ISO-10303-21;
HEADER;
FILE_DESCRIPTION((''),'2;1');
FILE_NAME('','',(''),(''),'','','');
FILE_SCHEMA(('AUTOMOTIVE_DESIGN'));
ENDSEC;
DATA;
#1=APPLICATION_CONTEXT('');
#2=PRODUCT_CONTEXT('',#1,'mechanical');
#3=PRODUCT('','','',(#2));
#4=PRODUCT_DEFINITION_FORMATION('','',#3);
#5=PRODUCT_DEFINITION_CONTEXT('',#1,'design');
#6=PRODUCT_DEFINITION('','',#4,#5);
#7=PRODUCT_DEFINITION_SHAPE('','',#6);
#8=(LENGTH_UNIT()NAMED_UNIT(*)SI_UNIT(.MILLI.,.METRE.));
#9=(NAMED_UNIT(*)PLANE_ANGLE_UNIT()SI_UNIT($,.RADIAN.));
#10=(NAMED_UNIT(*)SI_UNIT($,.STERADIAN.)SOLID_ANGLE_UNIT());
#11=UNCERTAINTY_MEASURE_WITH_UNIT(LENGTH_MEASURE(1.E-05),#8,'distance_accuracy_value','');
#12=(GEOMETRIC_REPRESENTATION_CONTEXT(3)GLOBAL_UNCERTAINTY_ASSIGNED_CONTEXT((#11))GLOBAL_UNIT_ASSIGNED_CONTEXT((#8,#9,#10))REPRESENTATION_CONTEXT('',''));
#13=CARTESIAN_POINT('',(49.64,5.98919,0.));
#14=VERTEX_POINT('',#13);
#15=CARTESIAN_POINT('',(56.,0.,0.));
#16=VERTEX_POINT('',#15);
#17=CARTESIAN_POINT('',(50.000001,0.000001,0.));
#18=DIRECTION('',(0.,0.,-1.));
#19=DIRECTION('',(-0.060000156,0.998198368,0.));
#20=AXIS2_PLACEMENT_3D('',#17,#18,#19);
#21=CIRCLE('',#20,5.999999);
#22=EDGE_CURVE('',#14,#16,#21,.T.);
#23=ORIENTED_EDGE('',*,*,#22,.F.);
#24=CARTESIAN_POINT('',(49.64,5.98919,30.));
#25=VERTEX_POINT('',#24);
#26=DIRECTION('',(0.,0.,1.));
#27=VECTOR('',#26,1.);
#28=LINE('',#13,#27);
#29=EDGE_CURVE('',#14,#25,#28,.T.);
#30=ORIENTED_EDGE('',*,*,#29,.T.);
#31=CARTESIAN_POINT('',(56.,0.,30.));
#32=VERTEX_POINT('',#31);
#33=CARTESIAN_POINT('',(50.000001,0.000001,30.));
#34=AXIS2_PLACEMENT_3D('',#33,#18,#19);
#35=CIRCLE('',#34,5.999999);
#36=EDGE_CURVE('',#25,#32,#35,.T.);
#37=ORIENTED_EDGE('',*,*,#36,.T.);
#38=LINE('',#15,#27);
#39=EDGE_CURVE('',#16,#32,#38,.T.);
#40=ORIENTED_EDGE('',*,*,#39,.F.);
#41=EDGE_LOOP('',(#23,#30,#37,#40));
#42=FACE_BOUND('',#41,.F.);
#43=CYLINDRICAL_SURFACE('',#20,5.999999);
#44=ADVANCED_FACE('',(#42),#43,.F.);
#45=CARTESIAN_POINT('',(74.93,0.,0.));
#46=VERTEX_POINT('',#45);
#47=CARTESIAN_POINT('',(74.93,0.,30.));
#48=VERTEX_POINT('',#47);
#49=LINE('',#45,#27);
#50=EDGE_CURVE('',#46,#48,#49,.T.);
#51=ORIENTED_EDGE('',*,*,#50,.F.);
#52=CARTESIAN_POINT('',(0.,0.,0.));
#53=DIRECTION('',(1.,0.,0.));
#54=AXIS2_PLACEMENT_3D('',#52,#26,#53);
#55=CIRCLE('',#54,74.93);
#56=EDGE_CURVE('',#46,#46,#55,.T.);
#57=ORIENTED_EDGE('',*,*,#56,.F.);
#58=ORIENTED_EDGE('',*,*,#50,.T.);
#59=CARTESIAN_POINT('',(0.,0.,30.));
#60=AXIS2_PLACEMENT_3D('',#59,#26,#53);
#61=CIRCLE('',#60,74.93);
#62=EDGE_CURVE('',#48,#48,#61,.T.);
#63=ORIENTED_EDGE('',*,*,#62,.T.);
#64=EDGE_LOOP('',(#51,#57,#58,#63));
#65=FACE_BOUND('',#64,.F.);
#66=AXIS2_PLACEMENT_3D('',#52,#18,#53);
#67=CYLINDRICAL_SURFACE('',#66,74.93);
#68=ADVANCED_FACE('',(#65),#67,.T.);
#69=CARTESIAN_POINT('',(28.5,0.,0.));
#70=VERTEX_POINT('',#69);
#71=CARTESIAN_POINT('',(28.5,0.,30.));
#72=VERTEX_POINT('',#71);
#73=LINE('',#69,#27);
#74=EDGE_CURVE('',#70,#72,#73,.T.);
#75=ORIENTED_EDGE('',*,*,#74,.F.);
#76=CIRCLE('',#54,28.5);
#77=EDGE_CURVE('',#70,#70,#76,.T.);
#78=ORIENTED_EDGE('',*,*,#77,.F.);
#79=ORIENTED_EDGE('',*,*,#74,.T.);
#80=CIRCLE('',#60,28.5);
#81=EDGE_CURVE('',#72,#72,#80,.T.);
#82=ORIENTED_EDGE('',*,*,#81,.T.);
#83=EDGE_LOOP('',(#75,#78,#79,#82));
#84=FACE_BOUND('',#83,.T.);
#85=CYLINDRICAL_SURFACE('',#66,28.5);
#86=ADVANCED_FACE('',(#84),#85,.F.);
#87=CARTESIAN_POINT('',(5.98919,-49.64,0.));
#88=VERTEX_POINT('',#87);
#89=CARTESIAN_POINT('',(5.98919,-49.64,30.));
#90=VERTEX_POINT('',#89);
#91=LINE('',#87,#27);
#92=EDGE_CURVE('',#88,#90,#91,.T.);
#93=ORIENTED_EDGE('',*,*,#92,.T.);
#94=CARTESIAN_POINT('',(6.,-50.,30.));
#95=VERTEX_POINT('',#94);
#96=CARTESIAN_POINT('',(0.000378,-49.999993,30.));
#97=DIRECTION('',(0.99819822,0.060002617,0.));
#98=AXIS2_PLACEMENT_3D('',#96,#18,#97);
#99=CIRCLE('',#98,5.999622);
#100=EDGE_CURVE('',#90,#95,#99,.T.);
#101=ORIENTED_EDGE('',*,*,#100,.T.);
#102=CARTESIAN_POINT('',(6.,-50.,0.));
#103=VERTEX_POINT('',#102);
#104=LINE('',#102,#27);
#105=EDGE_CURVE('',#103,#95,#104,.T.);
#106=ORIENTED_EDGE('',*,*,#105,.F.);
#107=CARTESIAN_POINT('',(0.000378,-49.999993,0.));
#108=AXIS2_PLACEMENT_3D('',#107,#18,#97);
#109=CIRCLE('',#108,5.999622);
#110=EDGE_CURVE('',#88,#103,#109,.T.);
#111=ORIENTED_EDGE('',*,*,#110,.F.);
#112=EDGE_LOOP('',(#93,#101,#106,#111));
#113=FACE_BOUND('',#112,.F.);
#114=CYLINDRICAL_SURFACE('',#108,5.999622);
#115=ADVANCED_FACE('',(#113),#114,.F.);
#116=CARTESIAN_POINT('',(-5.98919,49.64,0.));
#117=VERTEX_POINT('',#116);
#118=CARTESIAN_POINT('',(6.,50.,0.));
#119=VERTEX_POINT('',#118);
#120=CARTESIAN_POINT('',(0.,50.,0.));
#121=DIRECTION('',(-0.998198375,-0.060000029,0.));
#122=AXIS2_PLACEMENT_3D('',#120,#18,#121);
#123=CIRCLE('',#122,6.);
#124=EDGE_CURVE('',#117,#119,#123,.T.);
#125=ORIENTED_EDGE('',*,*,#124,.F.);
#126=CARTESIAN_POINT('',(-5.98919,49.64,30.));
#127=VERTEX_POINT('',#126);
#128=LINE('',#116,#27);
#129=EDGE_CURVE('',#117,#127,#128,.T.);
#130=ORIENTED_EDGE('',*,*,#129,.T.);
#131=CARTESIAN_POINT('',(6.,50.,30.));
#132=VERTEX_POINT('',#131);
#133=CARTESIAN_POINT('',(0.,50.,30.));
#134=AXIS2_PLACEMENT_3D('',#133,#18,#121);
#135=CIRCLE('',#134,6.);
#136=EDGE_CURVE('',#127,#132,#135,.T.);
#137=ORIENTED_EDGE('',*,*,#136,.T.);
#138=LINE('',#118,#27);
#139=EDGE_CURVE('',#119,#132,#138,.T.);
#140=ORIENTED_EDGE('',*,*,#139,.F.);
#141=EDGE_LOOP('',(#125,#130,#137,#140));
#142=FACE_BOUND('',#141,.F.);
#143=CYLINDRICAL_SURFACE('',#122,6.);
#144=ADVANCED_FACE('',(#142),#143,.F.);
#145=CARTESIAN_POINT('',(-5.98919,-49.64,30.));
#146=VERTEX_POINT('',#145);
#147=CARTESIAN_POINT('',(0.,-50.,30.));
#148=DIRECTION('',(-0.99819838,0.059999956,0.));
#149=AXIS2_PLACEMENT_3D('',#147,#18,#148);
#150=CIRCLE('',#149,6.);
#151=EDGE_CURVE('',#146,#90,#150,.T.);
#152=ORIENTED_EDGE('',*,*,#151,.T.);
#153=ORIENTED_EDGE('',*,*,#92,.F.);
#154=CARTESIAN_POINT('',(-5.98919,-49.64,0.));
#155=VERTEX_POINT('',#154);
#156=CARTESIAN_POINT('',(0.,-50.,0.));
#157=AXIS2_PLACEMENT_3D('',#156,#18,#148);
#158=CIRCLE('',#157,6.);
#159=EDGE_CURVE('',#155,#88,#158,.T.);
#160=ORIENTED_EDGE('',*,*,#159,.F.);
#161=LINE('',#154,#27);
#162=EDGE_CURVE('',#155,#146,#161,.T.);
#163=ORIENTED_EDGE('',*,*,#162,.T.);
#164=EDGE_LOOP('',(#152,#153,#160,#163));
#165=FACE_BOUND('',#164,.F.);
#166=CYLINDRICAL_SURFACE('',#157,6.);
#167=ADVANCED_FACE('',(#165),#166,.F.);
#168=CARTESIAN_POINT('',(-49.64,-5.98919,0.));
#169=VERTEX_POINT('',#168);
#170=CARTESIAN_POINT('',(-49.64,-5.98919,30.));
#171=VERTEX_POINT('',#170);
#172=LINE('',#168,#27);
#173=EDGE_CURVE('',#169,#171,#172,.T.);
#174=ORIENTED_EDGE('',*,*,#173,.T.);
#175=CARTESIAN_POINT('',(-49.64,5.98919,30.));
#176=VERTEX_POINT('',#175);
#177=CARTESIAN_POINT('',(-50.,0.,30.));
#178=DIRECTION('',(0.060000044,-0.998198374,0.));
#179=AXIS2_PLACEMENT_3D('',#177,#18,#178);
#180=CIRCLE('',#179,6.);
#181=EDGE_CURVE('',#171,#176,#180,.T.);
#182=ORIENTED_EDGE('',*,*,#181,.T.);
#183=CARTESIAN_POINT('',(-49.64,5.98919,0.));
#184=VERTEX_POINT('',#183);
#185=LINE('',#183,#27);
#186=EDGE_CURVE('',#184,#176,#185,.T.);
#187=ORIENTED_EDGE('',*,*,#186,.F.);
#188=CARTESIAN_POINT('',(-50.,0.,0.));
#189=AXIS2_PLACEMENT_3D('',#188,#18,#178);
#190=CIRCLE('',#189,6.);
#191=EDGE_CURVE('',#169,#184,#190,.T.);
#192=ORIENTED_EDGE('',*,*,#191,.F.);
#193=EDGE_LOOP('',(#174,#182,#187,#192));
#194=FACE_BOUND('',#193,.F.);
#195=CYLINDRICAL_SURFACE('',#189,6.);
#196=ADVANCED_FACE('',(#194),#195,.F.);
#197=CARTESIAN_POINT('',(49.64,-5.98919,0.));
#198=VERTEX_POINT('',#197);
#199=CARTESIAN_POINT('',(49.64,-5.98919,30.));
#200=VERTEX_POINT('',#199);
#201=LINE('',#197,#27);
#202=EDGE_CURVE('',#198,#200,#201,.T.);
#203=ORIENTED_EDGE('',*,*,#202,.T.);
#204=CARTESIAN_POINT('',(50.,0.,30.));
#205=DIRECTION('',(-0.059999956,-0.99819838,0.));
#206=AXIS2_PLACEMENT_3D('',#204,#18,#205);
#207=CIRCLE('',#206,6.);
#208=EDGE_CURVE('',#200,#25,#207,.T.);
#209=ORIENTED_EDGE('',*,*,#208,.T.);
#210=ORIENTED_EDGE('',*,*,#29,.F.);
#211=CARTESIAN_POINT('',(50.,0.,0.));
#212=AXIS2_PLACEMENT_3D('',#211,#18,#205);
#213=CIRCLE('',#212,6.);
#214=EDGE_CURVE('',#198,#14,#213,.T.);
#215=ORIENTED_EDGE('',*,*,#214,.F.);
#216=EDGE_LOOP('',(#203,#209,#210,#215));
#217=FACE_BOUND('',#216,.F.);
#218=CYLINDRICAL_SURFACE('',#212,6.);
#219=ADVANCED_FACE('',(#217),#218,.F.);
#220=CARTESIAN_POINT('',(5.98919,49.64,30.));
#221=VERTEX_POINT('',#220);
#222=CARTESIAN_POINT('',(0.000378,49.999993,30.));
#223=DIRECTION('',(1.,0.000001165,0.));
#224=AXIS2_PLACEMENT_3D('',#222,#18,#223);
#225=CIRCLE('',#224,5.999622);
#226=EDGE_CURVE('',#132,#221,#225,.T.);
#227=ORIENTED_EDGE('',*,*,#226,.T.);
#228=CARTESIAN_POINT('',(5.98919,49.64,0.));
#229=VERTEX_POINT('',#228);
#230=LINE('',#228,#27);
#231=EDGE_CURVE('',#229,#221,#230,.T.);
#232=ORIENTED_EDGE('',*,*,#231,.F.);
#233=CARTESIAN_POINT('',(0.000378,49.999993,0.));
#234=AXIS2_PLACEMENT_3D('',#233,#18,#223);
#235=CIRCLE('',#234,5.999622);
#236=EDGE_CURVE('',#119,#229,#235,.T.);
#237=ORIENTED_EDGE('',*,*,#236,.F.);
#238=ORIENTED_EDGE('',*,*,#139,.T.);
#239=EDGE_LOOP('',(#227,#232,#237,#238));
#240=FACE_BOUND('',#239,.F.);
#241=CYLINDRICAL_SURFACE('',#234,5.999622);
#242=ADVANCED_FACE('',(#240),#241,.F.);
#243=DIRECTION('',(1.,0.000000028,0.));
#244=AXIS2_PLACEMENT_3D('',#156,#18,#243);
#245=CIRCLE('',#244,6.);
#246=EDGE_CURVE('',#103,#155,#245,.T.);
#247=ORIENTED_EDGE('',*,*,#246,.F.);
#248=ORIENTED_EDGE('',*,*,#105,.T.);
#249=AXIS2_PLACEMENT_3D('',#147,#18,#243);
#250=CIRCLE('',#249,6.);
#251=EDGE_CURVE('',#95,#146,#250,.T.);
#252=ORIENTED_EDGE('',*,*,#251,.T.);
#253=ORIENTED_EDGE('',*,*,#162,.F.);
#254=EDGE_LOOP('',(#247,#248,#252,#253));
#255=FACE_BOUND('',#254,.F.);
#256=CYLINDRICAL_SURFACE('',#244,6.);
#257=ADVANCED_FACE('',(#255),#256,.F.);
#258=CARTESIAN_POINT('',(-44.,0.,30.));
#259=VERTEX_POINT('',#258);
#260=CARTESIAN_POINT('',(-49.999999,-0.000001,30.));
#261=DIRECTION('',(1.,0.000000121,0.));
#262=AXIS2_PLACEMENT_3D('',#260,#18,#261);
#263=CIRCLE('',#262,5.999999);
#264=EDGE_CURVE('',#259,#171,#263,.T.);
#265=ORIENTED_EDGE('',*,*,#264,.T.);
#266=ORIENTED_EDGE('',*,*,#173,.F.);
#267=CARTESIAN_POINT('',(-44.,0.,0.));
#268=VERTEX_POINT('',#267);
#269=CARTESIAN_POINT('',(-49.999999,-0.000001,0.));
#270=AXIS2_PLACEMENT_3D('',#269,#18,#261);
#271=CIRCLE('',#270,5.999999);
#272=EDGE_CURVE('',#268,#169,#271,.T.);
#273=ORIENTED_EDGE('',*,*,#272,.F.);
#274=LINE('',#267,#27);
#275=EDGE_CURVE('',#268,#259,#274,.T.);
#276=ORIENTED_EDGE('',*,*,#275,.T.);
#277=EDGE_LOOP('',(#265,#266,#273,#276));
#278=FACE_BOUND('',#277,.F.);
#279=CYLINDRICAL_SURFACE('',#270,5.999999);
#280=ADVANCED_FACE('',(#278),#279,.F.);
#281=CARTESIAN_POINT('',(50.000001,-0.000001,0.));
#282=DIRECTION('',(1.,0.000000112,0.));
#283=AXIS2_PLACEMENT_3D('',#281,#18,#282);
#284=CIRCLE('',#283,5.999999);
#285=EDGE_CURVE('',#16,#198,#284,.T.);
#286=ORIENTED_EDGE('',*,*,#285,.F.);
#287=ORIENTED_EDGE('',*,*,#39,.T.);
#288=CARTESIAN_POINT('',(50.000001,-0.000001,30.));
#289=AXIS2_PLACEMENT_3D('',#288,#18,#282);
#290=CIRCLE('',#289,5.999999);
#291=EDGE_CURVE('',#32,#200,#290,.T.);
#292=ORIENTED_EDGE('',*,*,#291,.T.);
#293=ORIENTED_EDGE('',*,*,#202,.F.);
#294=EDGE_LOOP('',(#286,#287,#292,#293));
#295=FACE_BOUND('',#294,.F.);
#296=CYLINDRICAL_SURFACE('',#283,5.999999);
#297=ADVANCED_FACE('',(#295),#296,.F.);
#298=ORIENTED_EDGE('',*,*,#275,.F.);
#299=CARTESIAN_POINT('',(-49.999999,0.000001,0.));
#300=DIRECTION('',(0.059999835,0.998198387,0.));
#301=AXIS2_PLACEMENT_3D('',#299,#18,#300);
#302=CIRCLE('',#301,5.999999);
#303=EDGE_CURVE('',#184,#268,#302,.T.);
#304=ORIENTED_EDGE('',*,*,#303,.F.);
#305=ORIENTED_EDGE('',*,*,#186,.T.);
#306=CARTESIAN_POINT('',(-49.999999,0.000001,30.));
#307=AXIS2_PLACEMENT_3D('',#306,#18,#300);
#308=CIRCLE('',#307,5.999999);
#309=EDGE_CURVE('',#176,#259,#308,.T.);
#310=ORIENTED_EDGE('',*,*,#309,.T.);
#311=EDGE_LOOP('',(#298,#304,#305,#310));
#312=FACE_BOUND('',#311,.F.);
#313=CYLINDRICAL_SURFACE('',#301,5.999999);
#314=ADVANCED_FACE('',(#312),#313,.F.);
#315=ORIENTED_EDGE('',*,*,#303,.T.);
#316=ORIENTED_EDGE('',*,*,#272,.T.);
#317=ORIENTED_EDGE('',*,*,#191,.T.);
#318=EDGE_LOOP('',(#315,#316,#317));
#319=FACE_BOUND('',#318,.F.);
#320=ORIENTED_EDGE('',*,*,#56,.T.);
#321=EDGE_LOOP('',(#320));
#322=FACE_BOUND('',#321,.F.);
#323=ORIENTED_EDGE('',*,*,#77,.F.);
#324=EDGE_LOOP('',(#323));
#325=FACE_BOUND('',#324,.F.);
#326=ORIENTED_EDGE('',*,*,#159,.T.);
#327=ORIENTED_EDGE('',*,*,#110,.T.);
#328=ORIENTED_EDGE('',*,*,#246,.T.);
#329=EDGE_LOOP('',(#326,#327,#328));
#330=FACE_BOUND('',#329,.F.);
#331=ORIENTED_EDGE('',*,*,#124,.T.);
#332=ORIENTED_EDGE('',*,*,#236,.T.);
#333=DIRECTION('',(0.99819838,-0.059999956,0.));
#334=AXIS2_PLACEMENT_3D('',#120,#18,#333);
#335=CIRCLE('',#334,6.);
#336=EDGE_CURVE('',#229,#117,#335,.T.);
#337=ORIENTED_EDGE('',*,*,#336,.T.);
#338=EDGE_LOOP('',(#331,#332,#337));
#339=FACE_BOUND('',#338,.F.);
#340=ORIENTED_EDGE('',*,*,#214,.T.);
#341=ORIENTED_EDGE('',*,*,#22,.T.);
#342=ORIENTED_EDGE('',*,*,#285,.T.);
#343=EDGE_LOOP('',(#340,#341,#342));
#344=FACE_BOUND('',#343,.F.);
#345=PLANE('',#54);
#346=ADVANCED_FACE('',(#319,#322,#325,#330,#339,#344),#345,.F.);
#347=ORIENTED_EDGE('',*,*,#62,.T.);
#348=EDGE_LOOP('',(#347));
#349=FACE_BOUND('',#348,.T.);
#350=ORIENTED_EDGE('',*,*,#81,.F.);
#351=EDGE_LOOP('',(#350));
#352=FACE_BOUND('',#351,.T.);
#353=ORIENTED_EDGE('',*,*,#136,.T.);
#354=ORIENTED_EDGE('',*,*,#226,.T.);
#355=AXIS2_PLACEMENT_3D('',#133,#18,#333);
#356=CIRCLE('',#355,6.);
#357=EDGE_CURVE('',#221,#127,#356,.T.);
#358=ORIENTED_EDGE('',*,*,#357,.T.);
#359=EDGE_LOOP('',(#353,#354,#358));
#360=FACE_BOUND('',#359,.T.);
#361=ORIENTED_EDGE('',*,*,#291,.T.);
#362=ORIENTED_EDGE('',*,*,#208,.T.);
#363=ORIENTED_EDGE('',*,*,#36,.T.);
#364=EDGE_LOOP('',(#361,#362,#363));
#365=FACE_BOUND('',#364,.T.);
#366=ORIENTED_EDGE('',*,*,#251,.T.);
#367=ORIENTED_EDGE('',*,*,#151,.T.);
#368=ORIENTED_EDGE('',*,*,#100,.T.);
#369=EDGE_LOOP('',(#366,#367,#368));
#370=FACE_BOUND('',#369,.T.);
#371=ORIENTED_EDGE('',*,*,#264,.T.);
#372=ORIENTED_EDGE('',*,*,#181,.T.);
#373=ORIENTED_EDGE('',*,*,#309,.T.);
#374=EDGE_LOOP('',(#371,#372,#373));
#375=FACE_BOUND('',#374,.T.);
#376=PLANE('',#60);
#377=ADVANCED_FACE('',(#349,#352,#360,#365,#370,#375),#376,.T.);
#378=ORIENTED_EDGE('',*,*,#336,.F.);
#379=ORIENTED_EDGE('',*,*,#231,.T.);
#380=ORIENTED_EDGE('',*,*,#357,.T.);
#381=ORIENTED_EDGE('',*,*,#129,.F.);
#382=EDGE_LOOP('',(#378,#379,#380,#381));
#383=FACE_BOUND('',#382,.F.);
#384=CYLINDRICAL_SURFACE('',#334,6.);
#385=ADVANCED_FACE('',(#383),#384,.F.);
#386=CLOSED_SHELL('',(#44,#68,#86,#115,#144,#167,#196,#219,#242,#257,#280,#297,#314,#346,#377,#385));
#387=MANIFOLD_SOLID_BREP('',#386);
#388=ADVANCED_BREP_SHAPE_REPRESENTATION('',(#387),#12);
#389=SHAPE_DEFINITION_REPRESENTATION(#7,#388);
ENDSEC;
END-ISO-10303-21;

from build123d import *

# Parameters (mm, degrees)
F0_R     = 74.93
F0_R_2   = 28.5
F1_DEPTH = 30


with BuildPart() as f1:
    # F0 (on Top) → F1 (new body)
    with BuildSketch(Plane.XY):
        Circle(F0_R)
        with BuildLine():
            ThreePointArc((5.98919, 49.64), (35.355339, 35.355339), (49.64, 5.98919))
            ThreePointArc((49.64, 5.98919), (54.113393, 4.368066), (56, 0))
            ThreePointArc((56, 0), (54.113393, -4.368066), (49.64, -5.98919))
            ThreePointArc((49.64, -5.98919), (35.355339, -35.355339), (5.98919, -49.64))
            ThreePointArc((5.98919, -49.64), (5.997297, -49.819919), (6, -50))
            ThreePointArc((6, -50), (-0.180081, -55.997297), (-5.98919, -49.64))
            ThreePointArc((-5.98919, -49.64), (-35.355339, -35.355339), (-49.64, -5.98919))
            ThreePointArc((-49.64, -5.98919), (-56, 0), (-49.64, 5.98919))
            ThreePointArc((-49.64, 5.98919), (-35.355339, 35.355339), (-5.98919, 49.64))
            ThreePointArc((-5.98919, 49.64), (-0.180081, 55.997297), (6, 50))
            ThreePointArc((6, 50), (5.997297, 49.819919), (5.98919, 49.64))
        make_face(mode=Mode.SUBTRACT)
        with BuildLine():
            ThreePointArc((49.64, -5.98919), (44, 0), (49.64, 5.98919))
            ThreePointArc((49.64, 5.98919), (35.355339, 35.355339), (5.98919, 49.64))
            ThreePointArc((5.98919, 49.64), (0, 44), (-5.98919, 49.64))
            ThreePointArc((-5.98919, 49.64), (-35.355339, 35.355339), (-49.64, 5.98919))
            ThreePointArc((-49.64, 5.98919), (-45.631934, 4.113393), (-44, 0))
            ThreePointArc((-44, 0), (-45.631934, -4.113393), (-49.64, -5.98919))
            ThreePointArc((-49.64, -5.98919), (-35.355339, -35.355339), (-5.98919, -49.64))
            ThreePointArc((-5.98919, -49.64), (0, -44), (5.98919, -49.64))
            ThreePointArc((5.98919, -49.64), (35.355339, -35.355339), (49.64, -5.98919))
        make_face()
        Circle(F0_R_2, mode=Mode.SUBTRACT)
    extrude(amount=F1_DEPTH)


solid = f1.part
